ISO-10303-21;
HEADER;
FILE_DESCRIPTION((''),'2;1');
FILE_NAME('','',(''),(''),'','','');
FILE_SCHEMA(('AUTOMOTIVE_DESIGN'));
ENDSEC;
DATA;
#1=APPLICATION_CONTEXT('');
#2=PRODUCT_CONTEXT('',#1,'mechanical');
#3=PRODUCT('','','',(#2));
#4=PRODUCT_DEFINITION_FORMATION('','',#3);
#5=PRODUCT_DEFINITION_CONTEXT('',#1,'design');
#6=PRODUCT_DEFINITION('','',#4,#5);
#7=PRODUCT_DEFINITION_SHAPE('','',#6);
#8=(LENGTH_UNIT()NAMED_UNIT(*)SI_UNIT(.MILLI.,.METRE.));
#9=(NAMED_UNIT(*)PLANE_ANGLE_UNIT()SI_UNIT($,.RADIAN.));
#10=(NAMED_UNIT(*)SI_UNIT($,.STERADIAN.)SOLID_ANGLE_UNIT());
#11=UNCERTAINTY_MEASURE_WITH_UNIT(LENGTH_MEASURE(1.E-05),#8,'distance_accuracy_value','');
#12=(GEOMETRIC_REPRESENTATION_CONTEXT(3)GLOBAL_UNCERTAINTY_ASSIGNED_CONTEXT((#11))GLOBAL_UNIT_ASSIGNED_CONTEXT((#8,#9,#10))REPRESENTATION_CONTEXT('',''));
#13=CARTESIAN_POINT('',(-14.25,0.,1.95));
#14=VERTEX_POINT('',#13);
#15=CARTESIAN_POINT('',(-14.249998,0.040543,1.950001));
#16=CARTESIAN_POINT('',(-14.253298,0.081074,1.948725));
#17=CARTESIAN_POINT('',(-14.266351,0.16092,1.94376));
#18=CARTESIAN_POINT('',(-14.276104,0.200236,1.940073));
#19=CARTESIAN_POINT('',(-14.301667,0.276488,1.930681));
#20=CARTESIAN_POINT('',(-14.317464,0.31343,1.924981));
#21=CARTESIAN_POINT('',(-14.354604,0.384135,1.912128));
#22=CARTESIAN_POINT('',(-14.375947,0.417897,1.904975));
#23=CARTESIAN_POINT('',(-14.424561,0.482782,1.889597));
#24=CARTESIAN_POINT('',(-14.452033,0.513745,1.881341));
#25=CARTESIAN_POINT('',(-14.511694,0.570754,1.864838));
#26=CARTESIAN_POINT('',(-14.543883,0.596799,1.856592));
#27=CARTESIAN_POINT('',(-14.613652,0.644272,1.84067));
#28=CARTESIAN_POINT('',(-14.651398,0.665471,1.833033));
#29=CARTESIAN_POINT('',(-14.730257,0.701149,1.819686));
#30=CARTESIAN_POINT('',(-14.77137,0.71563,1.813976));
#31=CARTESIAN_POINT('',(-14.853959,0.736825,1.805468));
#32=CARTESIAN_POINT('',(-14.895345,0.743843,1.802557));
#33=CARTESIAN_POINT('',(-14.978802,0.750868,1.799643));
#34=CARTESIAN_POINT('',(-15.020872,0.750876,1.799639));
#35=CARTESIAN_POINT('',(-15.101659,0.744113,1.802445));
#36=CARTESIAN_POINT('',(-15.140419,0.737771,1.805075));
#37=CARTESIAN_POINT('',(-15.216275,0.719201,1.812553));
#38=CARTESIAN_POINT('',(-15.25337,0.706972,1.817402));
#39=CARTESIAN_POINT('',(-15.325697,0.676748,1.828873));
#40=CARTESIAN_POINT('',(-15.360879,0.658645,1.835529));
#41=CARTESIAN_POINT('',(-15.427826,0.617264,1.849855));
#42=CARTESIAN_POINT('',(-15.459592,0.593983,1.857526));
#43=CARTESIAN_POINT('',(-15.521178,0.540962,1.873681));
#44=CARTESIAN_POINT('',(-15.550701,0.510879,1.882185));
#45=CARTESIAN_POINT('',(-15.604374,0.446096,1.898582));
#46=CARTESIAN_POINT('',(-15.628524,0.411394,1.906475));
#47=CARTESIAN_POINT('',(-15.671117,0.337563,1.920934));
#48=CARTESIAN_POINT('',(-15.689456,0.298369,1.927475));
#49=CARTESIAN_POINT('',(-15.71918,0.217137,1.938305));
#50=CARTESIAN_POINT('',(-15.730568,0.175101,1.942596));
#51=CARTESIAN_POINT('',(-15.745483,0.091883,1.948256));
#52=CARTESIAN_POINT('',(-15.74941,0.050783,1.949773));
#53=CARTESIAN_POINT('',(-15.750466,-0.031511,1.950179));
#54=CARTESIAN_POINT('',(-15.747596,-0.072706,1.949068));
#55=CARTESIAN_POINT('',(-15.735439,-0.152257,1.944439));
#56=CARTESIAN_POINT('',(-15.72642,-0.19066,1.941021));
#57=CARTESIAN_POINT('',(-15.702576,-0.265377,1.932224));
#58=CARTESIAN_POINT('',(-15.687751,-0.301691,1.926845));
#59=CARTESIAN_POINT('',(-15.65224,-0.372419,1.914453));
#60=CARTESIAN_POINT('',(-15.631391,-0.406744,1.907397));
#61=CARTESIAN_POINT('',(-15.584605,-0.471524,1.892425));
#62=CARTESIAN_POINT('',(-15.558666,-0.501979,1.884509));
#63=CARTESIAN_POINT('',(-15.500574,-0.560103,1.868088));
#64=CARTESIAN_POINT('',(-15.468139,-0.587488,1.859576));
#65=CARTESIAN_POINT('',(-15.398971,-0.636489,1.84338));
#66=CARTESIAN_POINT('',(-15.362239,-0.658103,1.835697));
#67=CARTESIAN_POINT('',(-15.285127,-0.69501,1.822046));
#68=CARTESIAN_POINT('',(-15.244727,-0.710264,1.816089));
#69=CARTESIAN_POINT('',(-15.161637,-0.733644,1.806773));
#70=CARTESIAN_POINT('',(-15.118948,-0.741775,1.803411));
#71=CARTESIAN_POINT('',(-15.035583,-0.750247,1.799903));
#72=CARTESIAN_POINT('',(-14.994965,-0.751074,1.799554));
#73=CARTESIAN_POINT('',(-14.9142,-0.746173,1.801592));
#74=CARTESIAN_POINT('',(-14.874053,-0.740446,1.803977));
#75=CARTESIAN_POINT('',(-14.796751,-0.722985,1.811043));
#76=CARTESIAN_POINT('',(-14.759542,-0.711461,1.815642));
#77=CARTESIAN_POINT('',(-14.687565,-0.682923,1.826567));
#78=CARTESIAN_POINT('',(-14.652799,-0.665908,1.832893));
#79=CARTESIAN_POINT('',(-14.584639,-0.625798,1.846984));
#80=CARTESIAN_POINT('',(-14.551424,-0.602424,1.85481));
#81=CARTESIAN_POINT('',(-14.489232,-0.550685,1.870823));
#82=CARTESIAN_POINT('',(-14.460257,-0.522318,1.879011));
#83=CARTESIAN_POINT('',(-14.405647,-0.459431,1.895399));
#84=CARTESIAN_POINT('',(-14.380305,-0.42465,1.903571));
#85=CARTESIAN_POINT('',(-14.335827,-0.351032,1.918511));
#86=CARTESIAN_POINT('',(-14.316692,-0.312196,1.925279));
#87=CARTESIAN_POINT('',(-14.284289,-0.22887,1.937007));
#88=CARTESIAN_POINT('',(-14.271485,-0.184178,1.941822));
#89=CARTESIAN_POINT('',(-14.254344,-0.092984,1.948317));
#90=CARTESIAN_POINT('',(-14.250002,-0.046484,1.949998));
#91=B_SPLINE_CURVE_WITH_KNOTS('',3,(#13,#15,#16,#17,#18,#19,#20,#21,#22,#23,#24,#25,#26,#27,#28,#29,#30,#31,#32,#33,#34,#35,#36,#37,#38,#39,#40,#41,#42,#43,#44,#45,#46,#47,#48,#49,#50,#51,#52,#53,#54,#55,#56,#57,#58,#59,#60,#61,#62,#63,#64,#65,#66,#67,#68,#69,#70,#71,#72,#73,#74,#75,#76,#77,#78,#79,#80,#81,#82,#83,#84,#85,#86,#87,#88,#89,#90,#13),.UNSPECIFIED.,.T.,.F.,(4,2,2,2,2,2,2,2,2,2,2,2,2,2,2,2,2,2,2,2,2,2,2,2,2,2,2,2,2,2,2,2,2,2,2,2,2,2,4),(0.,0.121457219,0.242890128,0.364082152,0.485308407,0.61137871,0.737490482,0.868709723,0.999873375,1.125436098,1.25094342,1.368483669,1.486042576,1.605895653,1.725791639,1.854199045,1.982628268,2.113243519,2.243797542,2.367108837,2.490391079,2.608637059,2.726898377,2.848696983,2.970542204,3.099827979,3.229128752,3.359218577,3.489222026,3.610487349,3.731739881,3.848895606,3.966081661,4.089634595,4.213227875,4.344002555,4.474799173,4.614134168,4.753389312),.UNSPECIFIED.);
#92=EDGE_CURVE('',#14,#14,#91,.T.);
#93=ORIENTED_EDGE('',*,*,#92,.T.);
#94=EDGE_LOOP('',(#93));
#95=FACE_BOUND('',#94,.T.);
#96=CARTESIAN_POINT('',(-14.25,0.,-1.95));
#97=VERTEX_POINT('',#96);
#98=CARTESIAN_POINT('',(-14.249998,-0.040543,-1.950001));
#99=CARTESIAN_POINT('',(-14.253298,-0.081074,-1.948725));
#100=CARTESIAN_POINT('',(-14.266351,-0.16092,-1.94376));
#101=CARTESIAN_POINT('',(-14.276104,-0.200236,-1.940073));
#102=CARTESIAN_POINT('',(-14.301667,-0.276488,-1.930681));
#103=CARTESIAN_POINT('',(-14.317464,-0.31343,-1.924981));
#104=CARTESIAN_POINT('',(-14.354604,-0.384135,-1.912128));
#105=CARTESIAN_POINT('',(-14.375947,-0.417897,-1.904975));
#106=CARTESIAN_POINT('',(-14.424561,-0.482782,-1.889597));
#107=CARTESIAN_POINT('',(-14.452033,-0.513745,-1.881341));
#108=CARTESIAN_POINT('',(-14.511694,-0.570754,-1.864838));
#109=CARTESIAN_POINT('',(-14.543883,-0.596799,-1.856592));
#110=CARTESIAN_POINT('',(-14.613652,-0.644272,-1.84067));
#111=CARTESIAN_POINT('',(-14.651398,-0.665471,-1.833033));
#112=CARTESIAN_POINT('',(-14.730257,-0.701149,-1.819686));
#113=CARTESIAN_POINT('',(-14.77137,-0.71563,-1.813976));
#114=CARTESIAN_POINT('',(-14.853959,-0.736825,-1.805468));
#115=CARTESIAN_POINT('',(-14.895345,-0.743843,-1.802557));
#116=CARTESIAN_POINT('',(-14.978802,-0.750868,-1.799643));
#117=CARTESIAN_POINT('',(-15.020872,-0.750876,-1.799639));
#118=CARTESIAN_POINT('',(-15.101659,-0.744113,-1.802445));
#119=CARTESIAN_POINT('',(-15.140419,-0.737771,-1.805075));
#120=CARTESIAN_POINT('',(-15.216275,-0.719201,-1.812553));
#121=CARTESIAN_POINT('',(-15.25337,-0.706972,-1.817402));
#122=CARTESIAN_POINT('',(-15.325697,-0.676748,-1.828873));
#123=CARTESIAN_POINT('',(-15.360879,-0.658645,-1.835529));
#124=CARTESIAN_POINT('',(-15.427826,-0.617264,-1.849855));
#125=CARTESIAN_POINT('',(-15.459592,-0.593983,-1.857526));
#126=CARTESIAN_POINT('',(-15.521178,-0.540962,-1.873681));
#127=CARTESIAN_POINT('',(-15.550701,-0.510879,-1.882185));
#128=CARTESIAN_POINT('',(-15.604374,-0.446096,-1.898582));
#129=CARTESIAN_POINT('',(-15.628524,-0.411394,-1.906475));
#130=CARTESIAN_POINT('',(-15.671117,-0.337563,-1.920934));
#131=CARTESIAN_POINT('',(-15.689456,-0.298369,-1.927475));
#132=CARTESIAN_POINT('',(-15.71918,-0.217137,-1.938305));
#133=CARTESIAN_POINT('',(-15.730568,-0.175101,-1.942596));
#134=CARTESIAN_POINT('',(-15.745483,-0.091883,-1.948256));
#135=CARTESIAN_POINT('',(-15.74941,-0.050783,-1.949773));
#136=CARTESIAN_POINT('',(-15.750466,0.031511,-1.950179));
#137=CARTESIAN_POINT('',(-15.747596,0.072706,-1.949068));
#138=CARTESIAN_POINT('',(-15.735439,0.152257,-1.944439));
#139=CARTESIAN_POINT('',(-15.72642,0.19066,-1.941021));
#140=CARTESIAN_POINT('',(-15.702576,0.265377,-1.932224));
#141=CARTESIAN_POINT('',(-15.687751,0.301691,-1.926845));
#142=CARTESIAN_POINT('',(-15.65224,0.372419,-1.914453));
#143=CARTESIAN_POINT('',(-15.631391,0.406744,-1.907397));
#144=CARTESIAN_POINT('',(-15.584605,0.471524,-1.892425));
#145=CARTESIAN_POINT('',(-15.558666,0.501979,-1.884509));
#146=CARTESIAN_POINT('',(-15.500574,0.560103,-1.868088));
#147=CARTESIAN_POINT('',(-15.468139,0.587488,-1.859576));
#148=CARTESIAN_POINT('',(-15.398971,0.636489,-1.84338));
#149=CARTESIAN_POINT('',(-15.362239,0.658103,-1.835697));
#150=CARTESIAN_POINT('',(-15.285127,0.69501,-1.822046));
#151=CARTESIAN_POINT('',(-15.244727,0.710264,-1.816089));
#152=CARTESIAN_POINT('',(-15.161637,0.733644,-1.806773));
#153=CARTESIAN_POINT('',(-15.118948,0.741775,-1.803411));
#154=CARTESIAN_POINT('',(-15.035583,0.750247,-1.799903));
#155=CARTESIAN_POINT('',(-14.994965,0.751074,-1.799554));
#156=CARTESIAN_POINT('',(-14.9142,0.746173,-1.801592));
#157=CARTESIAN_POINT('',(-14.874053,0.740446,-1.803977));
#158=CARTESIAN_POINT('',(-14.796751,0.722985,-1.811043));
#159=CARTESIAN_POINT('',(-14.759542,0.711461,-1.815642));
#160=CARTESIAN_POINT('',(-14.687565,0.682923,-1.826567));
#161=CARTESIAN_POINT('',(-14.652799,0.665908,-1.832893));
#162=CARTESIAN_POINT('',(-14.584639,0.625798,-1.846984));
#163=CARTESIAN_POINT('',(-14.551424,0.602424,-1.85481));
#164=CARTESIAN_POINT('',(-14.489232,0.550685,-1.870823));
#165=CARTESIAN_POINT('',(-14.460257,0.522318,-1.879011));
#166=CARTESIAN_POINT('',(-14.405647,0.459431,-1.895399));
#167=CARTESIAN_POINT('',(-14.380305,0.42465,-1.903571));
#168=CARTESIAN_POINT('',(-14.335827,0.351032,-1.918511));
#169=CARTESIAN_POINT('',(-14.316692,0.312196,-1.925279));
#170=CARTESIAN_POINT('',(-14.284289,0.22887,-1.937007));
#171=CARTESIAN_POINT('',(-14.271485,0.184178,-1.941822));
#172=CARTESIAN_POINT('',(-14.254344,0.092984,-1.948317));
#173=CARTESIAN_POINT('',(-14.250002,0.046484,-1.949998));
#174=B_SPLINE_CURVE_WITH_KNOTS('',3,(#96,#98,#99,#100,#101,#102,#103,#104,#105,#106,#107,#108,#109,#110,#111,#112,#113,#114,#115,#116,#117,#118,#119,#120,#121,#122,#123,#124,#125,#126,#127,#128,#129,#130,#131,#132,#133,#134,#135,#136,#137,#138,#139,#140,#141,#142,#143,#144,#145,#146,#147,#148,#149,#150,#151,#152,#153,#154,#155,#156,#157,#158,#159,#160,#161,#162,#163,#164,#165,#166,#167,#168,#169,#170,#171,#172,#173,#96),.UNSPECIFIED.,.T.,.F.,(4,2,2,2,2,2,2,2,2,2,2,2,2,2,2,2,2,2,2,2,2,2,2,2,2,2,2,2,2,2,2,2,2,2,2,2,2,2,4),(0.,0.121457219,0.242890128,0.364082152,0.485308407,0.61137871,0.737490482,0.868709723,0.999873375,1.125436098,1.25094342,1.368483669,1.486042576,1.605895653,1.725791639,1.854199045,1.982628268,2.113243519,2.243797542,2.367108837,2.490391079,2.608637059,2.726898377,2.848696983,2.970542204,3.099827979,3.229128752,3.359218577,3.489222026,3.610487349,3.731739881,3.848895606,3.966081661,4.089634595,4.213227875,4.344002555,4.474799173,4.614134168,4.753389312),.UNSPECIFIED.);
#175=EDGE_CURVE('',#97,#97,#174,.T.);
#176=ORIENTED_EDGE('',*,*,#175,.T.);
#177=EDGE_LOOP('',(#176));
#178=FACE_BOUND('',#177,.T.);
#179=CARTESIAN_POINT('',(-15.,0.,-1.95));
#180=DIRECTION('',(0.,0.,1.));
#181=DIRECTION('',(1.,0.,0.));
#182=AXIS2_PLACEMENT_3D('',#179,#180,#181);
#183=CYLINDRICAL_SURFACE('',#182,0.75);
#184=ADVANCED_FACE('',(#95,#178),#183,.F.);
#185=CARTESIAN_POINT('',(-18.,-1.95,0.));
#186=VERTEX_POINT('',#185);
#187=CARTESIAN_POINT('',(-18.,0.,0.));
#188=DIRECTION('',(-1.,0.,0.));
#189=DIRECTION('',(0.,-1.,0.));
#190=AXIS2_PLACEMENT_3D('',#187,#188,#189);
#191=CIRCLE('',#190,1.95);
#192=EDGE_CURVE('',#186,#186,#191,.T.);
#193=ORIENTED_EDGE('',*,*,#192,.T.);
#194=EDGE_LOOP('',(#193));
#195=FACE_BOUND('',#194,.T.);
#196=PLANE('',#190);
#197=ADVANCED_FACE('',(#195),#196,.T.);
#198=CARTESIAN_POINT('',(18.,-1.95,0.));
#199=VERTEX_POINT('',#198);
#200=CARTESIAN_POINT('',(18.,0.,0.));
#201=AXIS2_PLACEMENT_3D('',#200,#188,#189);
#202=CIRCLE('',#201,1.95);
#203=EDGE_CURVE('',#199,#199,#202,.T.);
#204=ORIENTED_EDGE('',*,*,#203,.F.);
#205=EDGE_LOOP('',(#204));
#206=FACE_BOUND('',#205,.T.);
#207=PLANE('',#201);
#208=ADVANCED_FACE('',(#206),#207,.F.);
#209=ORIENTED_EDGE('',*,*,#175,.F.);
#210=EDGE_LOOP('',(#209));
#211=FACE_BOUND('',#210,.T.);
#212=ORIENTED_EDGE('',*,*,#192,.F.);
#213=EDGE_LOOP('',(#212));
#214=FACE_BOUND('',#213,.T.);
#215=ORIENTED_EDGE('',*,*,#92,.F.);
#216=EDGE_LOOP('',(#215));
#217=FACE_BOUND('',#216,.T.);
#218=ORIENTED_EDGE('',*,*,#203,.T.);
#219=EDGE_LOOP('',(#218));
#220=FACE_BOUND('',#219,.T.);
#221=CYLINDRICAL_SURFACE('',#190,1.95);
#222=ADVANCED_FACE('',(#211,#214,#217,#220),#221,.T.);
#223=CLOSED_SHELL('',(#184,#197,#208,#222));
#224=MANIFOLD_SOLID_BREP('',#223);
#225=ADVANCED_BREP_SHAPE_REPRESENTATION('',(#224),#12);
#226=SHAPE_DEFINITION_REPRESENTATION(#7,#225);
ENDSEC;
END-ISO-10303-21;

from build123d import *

# Parameters (mm, degrees)
SKETCH2_3_R             = 0.75
CUT_EXTRUDE1_DEPTH      = 2.95
CUT_EXTRUDE1_DEPTH_BACK = 2.95


with BuildPart() as part:
    # Sketch2 → Revolve2 (revolve)
    with BuildSketch(Plane.XY):
        with BuildLine():
            Line((18, 0), (-14.25, 0))
            ThreePointArc((-14.25, 0), (-15, -0.75), (-15.75, 0))
            Line((-15.75, 0), (-18, 0))
            Line((-18, 0), (-18, -1.95))
            Line((-18, -1.95), (18, -1.95))
            Line((18, -1.95), (18, 0))
        make_face()
    revolve(axis=Axis((-18, 0, 0), (1, 0, 0)))

    # Sketch2<3> → Cut-Extrude1 (cut, two sides)
    with BuildSketch(Plane.XY) as cut_extrude1_sk:
        with Locations((-15, 0)):
            Circle(SKETCH2_3_R)
    extrude(amount=CUT_EXTRUDE1_DEPTH, mode=Mode.SUBTRACT)
    extrude(cut_extrude1_sk.sketch, amount=-CUT_EXTRUDE1_DEPTH_BACK, mode=Mode.SUBTRACT)


solid = part.part
